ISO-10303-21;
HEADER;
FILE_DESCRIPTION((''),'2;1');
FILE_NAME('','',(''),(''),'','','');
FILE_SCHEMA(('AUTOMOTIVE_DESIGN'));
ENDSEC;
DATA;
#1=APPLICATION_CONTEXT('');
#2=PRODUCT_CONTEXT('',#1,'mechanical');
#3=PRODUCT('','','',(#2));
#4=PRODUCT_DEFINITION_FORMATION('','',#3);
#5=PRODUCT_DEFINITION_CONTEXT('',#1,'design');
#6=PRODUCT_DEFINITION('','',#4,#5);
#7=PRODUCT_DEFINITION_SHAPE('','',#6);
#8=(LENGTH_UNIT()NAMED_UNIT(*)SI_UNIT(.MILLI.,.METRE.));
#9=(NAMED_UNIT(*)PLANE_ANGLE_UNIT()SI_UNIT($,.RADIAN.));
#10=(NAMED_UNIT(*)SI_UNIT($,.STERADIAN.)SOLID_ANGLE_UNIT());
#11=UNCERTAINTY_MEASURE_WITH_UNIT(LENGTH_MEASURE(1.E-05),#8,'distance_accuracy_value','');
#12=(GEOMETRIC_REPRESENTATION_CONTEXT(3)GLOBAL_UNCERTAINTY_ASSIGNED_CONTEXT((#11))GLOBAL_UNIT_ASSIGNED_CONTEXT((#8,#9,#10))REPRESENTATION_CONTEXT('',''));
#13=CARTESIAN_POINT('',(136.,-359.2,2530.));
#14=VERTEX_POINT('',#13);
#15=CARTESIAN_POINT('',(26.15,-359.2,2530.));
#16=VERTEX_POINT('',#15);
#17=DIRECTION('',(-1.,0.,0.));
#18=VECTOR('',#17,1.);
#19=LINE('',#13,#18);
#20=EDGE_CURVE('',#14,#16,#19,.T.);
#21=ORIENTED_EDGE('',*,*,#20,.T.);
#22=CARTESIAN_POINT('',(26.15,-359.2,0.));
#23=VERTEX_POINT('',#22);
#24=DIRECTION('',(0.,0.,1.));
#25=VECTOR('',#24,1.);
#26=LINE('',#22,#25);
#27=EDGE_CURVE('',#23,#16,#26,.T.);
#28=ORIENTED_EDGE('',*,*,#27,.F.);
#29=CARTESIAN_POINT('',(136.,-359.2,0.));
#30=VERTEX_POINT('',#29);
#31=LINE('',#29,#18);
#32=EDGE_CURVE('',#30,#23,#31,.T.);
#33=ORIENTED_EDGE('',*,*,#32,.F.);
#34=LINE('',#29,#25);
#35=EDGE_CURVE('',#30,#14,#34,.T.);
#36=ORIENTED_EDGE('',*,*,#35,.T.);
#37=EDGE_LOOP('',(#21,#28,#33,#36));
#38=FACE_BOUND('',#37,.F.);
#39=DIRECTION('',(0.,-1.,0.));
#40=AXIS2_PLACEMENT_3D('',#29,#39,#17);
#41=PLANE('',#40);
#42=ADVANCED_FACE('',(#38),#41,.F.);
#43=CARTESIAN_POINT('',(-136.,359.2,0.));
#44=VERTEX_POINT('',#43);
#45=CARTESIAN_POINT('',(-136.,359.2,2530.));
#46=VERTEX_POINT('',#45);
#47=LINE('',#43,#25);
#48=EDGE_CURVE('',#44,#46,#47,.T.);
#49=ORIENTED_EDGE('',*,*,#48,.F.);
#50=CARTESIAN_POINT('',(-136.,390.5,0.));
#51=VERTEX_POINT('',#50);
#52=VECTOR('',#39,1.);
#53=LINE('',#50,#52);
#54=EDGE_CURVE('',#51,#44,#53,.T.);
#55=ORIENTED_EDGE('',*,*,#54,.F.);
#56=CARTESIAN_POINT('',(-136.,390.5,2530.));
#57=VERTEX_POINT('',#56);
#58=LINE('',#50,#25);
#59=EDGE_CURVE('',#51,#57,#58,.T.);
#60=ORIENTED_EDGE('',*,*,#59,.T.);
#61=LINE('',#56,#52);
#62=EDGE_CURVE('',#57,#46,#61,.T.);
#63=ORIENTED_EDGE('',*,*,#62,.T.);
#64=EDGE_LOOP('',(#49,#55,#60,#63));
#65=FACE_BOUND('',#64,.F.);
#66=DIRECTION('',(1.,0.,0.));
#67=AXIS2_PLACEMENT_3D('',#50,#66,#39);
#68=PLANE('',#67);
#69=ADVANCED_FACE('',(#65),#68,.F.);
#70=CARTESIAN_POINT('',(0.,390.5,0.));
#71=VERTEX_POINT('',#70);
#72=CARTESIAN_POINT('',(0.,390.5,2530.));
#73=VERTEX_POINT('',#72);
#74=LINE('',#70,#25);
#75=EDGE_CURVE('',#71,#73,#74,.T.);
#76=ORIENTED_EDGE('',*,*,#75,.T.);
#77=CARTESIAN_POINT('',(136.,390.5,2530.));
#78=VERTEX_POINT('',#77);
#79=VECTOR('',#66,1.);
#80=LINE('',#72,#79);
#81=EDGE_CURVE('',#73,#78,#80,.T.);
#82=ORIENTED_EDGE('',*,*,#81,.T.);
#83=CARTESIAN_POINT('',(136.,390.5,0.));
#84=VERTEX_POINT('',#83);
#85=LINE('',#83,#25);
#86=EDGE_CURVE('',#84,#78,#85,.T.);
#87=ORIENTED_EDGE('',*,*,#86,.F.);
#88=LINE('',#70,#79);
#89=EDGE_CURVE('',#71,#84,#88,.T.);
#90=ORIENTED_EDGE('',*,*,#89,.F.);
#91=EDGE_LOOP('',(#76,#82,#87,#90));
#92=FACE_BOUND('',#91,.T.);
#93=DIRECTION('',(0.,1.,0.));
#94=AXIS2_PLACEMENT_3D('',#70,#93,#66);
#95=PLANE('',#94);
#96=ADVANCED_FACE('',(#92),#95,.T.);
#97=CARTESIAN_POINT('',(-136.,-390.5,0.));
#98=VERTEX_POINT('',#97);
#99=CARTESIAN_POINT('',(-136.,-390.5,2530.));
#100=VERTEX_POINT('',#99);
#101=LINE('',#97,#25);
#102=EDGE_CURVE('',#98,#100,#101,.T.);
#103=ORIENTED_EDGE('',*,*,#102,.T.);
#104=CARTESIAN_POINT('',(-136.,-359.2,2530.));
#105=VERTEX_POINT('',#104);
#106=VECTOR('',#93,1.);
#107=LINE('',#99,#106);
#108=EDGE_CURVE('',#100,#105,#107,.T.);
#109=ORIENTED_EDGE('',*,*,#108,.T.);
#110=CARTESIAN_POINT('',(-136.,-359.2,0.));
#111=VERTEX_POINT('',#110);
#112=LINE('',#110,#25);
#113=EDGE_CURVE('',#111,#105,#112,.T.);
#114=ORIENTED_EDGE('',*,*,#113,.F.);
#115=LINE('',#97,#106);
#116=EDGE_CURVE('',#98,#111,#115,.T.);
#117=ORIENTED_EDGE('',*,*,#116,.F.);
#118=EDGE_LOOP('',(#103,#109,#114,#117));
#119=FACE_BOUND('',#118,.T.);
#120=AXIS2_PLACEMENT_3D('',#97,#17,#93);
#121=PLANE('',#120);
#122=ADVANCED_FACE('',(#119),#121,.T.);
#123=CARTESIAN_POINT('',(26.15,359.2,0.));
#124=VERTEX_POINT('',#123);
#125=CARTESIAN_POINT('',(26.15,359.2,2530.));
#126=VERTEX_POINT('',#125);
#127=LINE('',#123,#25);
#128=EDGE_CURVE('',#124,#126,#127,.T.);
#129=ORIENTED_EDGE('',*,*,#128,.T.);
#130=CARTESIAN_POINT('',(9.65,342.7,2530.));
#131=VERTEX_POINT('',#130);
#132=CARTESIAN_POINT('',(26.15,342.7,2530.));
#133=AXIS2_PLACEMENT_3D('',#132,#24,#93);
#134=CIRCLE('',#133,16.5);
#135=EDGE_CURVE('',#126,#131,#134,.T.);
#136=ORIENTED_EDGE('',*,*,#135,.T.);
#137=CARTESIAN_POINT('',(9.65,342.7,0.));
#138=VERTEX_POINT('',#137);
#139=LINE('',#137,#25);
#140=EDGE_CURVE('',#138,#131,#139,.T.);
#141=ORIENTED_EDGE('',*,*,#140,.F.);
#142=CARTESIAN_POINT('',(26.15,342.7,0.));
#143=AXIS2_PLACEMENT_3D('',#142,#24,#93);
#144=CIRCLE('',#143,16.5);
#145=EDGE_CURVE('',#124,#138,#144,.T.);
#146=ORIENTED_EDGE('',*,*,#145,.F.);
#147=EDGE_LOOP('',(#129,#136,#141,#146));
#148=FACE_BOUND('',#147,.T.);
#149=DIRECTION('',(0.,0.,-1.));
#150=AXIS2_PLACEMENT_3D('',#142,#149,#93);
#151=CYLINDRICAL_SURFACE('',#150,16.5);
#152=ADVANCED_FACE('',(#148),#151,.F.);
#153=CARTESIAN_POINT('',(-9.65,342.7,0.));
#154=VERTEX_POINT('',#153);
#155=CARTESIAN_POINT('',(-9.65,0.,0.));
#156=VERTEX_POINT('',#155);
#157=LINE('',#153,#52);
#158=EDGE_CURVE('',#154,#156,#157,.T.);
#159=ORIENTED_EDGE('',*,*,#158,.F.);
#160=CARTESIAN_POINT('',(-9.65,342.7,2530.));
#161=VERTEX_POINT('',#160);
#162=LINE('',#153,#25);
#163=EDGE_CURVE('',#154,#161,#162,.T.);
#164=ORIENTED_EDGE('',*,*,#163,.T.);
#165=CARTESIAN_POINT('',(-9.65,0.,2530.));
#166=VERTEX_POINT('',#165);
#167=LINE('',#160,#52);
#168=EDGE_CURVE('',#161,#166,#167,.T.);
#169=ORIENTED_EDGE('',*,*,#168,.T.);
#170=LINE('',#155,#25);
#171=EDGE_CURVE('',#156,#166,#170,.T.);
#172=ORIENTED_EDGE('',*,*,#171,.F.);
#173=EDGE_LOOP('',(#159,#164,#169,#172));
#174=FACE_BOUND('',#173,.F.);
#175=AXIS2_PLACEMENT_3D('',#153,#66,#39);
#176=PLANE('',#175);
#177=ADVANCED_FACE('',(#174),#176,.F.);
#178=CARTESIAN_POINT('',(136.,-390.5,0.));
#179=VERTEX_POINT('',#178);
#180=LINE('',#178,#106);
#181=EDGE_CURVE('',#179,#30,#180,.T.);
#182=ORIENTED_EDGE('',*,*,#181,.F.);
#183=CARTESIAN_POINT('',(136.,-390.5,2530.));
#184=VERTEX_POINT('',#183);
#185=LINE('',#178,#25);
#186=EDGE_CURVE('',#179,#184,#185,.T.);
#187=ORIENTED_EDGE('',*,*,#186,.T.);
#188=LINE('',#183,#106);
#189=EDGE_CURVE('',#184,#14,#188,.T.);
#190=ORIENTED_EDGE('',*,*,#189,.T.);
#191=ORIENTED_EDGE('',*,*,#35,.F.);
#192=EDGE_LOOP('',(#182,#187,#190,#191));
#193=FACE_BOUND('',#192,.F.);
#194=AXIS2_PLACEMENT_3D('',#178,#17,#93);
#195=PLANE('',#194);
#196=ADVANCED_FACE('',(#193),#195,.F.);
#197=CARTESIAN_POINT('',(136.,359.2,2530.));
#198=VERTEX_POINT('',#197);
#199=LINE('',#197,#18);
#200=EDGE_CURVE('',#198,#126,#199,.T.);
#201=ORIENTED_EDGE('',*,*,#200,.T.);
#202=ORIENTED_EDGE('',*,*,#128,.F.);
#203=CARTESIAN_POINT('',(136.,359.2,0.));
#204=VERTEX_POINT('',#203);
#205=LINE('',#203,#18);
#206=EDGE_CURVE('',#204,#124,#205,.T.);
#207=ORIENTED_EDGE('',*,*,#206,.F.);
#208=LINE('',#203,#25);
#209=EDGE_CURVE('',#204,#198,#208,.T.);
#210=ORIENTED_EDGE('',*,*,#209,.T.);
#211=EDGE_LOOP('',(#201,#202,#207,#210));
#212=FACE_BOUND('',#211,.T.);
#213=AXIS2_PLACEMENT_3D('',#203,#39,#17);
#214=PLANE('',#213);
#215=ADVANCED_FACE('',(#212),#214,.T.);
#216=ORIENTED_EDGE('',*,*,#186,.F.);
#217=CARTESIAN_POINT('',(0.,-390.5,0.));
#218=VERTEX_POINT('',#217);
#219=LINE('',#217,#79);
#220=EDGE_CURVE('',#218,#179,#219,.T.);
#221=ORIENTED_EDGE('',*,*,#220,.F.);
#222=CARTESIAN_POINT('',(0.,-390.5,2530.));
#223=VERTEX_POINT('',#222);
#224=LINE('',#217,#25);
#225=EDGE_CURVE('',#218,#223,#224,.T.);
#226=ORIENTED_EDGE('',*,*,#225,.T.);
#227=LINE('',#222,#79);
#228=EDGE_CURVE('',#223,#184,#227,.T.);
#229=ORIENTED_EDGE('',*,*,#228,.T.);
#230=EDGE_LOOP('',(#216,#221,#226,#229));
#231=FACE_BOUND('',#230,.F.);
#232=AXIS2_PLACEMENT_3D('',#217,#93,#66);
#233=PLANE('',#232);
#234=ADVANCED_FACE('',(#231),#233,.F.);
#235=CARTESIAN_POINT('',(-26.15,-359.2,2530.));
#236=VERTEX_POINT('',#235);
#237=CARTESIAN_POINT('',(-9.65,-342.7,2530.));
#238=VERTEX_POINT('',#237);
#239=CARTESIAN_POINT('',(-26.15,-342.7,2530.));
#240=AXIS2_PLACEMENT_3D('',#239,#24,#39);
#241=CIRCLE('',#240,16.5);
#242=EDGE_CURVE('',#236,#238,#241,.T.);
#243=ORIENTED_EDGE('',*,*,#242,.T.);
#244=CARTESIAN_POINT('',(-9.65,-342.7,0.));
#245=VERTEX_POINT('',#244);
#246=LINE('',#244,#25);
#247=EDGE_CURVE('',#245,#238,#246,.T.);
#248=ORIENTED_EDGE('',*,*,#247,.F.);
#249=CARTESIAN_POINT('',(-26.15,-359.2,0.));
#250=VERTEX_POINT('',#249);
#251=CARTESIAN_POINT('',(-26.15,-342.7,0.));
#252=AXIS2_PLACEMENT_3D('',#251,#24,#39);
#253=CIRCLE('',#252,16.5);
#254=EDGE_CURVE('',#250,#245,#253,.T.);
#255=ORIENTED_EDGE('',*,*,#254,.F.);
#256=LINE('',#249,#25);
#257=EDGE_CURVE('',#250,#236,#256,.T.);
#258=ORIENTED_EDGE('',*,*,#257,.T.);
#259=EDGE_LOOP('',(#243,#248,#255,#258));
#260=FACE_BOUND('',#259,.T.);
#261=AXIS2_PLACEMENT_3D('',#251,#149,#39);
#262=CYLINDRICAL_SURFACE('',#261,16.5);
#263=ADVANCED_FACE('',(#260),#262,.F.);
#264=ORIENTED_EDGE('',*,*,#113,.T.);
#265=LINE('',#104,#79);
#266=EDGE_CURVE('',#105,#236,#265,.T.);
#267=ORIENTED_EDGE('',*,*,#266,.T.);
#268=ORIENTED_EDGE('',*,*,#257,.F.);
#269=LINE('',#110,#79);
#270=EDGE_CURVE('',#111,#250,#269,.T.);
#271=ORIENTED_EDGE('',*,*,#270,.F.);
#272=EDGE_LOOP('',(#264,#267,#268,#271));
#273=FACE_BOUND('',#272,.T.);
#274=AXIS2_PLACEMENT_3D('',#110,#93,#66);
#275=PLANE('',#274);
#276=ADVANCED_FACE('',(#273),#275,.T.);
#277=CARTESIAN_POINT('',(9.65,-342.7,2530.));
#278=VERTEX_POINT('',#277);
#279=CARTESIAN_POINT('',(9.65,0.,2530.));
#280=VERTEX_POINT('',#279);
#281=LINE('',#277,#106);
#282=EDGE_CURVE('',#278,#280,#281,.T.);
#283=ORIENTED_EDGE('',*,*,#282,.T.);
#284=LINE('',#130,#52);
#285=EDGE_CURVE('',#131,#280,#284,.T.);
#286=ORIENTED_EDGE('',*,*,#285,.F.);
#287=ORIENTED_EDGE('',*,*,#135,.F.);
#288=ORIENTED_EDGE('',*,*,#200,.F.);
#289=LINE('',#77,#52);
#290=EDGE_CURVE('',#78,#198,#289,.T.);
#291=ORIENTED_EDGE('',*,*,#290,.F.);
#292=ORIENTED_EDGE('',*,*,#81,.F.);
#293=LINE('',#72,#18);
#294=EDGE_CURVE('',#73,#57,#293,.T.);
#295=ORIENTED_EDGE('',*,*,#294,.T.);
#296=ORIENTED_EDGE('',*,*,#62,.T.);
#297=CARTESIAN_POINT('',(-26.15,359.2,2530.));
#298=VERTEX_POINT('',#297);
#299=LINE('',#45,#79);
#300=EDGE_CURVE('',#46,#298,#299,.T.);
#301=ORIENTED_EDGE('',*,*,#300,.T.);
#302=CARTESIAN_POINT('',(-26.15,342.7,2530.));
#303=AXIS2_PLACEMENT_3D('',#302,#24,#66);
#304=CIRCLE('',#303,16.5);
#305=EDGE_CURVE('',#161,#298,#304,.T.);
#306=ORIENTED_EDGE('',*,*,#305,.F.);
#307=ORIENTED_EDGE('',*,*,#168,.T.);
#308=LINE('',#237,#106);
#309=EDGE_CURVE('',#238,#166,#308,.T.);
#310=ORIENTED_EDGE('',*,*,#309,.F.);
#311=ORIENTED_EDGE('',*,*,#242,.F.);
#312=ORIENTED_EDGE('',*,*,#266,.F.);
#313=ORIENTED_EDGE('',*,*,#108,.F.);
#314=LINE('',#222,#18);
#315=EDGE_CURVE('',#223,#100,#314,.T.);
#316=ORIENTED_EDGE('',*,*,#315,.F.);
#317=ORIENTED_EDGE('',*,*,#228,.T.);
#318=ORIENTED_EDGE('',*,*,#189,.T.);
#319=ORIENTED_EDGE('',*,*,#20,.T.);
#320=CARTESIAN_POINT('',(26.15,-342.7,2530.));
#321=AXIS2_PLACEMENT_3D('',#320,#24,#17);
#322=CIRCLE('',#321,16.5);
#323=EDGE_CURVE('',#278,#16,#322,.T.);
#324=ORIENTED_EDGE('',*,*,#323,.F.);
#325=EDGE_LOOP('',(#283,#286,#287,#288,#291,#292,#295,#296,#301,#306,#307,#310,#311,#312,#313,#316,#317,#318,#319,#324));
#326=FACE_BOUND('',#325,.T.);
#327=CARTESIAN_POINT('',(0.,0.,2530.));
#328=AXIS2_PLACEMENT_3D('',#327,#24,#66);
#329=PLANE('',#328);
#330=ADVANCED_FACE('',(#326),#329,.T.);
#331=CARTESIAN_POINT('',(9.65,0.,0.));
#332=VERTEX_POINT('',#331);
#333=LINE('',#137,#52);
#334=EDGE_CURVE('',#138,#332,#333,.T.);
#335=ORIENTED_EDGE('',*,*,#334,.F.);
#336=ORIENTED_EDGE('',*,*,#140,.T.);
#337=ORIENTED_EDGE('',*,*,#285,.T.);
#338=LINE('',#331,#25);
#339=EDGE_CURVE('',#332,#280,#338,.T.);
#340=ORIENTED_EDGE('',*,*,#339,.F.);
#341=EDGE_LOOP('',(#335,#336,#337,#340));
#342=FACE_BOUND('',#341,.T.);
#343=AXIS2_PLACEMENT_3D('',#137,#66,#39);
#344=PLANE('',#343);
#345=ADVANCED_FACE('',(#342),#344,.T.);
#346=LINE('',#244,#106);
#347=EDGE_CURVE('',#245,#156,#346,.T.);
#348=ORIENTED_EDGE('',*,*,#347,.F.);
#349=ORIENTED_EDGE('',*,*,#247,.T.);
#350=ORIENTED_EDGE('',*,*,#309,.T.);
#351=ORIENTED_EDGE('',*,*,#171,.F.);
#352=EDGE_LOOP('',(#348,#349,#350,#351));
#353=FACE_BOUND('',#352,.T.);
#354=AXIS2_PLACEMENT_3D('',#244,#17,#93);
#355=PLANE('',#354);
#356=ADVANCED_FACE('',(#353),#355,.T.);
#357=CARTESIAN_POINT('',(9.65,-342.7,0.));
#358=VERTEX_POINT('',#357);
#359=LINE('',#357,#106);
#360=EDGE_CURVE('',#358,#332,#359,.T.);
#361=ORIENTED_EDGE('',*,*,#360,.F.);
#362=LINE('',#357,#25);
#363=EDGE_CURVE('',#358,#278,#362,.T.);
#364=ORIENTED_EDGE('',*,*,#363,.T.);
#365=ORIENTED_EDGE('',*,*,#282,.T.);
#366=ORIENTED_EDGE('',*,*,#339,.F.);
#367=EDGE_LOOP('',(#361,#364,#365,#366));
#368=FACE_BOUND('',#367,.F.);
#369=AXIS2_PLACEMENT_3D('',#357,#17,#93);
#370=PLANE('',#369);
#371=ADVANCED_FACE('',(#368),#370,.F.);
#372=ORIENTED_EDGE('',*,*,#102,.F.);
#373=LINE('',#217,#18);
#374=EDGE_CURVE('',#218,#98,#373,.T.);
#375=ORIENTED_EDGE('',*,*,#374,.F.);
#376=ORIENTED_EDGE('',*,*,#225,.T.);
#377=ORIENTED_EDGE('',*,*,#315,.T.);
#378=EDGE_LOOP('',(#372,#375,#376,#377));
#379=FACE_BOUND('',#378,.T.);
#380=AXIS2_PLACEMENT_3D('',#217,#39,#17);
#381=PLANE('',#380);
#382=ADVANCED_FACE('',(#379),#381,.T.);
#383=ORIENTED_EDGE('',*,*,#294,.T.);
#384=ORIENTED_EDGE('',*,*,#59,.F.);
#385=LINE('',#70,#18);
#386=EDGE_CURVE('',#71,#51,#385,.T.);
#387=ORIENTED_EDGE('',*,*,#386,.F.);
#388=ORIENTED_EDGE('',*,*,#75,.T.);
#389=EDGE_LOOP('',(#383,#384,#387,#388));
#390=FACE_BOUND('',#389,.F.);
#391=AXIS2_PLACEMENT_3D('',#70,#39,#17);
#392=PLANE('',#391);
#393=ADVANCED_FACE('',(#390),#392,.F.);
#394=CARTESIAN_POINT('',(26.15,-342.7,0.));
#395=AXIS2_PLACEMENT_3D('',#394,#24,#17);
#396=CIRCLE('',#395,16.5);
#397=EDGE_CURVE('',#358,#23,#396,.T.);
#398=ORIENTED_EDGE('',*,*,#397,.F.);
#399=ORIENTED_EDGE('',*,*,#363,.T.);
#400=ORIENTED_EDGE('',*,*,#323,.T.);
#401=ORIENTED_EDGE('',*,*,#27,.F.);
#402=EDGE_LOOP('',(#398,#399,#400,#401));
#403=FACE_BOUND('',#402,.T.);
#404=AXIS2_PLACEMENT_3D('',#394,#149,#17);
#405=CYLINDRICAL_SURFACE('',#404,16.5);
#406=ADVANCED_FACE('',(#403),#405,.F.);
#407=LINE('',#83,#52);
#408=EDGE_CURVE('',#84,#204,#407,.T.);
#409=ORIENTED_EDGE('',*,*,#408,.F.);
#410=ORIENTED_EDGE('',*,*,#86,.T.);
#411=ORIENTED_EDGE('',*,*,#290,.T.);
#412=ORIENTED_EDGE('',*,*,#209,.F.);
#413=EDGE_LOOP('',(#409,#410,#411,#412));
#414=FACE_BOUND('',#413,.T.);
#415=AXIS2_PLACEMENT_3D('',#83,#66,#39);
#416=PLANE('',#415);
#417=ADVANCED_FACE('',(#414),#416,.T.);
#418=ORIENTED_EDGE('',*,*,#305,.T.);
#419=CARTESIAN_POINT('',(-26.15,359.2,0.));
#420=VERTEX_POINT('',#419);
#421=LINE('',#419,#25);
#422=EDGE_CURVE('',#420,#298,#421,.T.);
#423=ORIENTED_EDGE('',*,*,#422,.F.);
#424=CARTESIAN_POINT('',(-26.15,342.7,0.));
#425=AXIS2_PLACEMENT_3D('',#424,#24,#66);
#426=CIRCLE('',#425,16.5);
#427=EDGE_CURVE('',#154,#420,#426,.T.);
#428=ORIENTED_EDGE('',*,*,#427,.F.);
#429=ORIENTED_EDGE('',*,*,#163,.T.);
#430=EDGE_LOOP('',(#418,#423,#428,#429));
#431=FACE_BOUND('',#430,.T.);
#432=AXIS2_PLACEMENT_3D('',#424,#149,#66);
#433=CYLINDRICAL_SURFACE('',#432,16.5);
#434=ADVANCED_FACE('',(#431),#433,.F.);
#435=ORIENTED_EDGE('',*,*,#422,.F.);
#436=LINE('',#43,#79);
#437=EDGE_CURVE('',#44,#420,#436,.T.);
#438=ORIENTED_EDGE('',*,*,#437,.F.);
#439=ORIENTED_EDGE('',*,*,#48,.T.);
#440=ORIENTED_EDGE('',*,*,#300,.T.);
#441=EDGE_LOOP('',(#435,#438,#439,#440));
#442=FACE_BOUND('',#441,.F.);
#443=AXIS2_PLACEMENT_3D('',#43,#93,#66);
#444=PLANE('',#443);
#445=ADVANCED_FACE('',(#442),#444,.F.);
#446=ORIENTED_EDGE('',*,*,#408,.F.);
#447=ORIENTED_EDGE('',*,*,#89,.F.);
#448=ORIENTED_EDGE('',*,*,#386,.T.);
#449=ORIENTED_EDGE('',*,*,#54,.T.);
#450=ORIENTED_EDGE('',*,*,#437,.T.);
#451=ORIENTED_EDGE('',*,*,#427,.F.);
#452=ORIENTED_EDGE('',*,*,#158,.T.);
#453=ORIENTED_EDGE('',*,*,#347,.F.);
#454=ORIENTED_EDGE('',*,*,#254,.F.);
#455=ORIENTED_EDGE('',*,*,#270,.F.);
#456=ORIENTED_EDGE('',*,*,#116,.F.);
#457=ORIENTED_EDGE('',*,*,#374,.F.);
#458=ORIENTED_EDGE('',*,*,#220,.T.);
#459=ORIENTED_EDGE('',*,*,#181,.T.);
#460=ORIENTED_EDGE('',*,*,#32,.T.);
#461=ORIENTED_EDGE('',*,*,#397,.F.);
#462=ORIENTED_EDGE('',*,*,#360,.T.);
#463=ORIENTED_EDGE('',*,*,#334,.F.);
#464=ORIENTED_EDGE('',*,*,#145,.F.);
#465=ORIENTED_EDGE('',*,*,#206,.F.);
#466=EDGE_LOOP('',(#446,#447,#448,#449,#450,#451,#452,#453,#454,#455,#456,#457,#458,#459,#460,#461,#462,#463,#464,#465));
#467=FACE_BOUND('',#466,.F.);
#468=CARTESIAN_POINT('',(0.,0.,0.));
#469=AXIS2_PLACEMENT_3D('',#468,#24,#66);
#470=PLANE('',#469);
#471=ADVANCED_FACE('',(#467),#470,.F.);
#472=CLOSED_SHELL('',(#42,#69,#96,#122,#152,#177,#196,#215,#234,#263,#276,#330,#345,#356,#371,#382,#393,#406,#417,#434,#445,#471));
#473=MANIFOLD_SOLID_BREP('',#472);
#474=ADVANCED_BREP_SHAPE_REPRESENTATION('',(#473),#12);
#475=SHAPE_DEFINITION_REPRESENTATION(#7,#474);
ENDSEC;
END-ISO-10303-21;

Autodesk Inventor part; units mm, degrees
ref_plane "YZ Plane" through (0, 0, 0) normal (1, 0, 0) x (0, 1, 0)
ref_plane "Start plane" through (0, 0, 0) normal (0, 0, 1) x (1, 0, 0)
ref_plane "End plane" through (0, 0, 2530) normal (0, 0, 1) x (1, 0, 0)
sketch "Sketch" plane through (0, 0, 0) normal (0, 0, 1) x (1, 0, 0)
  line L0 (-136, -390.5) -> (-136, -359.2)
  line L1 (-136, -359.2) -> (-26.15, -359.2)
  line L2 (-9.65, -342.7) -> (-9.65, 0)
  line L3 (-9.65, 0) -> (0, 0) construction
  line L4 (0, 0) -> (0, -390.5) construction
  line L5 (0, -390.5) -> (-136, -390.5)
  line L6 (-60, 0) -> (80, 0) construction
  line L7 (0, -60) -> (0, 80) construction
  line L8 (136, -390.5) -> (136, -359.2)
  line L9 (136, -359.2) -> (26.15, -359.2)
  line L10 (9.65, -342.7) -> (9.65, 0)
  line L11 (9.65, 0) -> (0, 0) construction
  line L12 (0, -390.5) -> (136, -390.5)
  line L13 (-136, 390.5) -> (-136, 359.2)
  line L14 (-136, 359.2) -> (-26.15, 359.2)
  line L15 (-9.65, 342.7) -> (-9.65, 0)
  line L16 (0, 390.5) -> (-136, 390.5)
  line L17 (136, 390.5) -> (136, 359.2)
  line L18 (136, 359.2) -> (26.15, 359.2)
  line L19 (0, 390.5) -> (136, 390.5)
  line L20 (9.65, 342.7) -> (9.65, 0)
  arc A0 (-9.65, 342.7) -> (-26.15, 359.2) centre (-26.15, 342.7) ccw
  arc A1 (26.15, 359.2) -> (9.65, 342.7) centre (26.15, 342.7) ccw
  arc A2 (9.65, -342.7) -> (26.15, -359.2) centre (26.15, -342.7) ccw
  arc A3 (-26.15, -359.2) -> (-9.65, -342.7) centre (-26.15, -342.7) ccw
  line L21 (0, 108) -> (0, -88) construction
  line L22 (-88, 0) -> (108, 0) construction
  point P0 (-9.65, -359.2)
  point P1 (9.65, -359.2)
  point P2 (-9.65, 359.2)
  point P3 (9.65, 359.2)
  dimension "d1" = 390.5
  dimension "d2" = 31.3
  dimension "d3" = 136
  dimension "d4" = 9.65
  dimension "d10" = 16.5
extrude "Body" add sketch "Sketch" along normal up to surface (2530 mm away) from surface at 0
sketch "Sketch4" plane through (0, 0, 0) normal (0, 0, 1) x (1, 0, 0)
  line L0 (0, 0) -> (10, 0)
ref_plane "Work Plane3" through (0, 0, 0) normal (0, -1, 0) x (1, 0, 0)
sketch "Sketch5" plane through (0, 0, 0) normal (0, -1, 0) x (1, 0, 0)
  line L0 (-2, 0) -> (12, 0) projected
  line L1 (-2, 2530) -> (12, 2530) projected
  dimension "d14" = 2530
equation "\"d1\" = 0.5 * G_H"
equation "\"d2\" = G_T1"
equation "\"d3\" = 0.5 * G_W"
equation "\"d4\" = 0.5 * G_T"
equation "\"d10\" = G_IR"
equation "\"d5\" = G_L"
equation "\"G_W\" = 272"
equation "\"G_H\" = 781"
equation "\"G_T\" = 19.3"
equation "\"G_T1\" = 31.3"
equation "\"G_IR\" = 16.5"
equation "\"G_L\" = d14"
equation "\"G_OFFSET_START\" = 0"
equation "\"G_OFFSET_END\" = 0"
properties part number "AS 3679-1990 - 760 UB - 244 - 2530" material "Steel, Mild"
